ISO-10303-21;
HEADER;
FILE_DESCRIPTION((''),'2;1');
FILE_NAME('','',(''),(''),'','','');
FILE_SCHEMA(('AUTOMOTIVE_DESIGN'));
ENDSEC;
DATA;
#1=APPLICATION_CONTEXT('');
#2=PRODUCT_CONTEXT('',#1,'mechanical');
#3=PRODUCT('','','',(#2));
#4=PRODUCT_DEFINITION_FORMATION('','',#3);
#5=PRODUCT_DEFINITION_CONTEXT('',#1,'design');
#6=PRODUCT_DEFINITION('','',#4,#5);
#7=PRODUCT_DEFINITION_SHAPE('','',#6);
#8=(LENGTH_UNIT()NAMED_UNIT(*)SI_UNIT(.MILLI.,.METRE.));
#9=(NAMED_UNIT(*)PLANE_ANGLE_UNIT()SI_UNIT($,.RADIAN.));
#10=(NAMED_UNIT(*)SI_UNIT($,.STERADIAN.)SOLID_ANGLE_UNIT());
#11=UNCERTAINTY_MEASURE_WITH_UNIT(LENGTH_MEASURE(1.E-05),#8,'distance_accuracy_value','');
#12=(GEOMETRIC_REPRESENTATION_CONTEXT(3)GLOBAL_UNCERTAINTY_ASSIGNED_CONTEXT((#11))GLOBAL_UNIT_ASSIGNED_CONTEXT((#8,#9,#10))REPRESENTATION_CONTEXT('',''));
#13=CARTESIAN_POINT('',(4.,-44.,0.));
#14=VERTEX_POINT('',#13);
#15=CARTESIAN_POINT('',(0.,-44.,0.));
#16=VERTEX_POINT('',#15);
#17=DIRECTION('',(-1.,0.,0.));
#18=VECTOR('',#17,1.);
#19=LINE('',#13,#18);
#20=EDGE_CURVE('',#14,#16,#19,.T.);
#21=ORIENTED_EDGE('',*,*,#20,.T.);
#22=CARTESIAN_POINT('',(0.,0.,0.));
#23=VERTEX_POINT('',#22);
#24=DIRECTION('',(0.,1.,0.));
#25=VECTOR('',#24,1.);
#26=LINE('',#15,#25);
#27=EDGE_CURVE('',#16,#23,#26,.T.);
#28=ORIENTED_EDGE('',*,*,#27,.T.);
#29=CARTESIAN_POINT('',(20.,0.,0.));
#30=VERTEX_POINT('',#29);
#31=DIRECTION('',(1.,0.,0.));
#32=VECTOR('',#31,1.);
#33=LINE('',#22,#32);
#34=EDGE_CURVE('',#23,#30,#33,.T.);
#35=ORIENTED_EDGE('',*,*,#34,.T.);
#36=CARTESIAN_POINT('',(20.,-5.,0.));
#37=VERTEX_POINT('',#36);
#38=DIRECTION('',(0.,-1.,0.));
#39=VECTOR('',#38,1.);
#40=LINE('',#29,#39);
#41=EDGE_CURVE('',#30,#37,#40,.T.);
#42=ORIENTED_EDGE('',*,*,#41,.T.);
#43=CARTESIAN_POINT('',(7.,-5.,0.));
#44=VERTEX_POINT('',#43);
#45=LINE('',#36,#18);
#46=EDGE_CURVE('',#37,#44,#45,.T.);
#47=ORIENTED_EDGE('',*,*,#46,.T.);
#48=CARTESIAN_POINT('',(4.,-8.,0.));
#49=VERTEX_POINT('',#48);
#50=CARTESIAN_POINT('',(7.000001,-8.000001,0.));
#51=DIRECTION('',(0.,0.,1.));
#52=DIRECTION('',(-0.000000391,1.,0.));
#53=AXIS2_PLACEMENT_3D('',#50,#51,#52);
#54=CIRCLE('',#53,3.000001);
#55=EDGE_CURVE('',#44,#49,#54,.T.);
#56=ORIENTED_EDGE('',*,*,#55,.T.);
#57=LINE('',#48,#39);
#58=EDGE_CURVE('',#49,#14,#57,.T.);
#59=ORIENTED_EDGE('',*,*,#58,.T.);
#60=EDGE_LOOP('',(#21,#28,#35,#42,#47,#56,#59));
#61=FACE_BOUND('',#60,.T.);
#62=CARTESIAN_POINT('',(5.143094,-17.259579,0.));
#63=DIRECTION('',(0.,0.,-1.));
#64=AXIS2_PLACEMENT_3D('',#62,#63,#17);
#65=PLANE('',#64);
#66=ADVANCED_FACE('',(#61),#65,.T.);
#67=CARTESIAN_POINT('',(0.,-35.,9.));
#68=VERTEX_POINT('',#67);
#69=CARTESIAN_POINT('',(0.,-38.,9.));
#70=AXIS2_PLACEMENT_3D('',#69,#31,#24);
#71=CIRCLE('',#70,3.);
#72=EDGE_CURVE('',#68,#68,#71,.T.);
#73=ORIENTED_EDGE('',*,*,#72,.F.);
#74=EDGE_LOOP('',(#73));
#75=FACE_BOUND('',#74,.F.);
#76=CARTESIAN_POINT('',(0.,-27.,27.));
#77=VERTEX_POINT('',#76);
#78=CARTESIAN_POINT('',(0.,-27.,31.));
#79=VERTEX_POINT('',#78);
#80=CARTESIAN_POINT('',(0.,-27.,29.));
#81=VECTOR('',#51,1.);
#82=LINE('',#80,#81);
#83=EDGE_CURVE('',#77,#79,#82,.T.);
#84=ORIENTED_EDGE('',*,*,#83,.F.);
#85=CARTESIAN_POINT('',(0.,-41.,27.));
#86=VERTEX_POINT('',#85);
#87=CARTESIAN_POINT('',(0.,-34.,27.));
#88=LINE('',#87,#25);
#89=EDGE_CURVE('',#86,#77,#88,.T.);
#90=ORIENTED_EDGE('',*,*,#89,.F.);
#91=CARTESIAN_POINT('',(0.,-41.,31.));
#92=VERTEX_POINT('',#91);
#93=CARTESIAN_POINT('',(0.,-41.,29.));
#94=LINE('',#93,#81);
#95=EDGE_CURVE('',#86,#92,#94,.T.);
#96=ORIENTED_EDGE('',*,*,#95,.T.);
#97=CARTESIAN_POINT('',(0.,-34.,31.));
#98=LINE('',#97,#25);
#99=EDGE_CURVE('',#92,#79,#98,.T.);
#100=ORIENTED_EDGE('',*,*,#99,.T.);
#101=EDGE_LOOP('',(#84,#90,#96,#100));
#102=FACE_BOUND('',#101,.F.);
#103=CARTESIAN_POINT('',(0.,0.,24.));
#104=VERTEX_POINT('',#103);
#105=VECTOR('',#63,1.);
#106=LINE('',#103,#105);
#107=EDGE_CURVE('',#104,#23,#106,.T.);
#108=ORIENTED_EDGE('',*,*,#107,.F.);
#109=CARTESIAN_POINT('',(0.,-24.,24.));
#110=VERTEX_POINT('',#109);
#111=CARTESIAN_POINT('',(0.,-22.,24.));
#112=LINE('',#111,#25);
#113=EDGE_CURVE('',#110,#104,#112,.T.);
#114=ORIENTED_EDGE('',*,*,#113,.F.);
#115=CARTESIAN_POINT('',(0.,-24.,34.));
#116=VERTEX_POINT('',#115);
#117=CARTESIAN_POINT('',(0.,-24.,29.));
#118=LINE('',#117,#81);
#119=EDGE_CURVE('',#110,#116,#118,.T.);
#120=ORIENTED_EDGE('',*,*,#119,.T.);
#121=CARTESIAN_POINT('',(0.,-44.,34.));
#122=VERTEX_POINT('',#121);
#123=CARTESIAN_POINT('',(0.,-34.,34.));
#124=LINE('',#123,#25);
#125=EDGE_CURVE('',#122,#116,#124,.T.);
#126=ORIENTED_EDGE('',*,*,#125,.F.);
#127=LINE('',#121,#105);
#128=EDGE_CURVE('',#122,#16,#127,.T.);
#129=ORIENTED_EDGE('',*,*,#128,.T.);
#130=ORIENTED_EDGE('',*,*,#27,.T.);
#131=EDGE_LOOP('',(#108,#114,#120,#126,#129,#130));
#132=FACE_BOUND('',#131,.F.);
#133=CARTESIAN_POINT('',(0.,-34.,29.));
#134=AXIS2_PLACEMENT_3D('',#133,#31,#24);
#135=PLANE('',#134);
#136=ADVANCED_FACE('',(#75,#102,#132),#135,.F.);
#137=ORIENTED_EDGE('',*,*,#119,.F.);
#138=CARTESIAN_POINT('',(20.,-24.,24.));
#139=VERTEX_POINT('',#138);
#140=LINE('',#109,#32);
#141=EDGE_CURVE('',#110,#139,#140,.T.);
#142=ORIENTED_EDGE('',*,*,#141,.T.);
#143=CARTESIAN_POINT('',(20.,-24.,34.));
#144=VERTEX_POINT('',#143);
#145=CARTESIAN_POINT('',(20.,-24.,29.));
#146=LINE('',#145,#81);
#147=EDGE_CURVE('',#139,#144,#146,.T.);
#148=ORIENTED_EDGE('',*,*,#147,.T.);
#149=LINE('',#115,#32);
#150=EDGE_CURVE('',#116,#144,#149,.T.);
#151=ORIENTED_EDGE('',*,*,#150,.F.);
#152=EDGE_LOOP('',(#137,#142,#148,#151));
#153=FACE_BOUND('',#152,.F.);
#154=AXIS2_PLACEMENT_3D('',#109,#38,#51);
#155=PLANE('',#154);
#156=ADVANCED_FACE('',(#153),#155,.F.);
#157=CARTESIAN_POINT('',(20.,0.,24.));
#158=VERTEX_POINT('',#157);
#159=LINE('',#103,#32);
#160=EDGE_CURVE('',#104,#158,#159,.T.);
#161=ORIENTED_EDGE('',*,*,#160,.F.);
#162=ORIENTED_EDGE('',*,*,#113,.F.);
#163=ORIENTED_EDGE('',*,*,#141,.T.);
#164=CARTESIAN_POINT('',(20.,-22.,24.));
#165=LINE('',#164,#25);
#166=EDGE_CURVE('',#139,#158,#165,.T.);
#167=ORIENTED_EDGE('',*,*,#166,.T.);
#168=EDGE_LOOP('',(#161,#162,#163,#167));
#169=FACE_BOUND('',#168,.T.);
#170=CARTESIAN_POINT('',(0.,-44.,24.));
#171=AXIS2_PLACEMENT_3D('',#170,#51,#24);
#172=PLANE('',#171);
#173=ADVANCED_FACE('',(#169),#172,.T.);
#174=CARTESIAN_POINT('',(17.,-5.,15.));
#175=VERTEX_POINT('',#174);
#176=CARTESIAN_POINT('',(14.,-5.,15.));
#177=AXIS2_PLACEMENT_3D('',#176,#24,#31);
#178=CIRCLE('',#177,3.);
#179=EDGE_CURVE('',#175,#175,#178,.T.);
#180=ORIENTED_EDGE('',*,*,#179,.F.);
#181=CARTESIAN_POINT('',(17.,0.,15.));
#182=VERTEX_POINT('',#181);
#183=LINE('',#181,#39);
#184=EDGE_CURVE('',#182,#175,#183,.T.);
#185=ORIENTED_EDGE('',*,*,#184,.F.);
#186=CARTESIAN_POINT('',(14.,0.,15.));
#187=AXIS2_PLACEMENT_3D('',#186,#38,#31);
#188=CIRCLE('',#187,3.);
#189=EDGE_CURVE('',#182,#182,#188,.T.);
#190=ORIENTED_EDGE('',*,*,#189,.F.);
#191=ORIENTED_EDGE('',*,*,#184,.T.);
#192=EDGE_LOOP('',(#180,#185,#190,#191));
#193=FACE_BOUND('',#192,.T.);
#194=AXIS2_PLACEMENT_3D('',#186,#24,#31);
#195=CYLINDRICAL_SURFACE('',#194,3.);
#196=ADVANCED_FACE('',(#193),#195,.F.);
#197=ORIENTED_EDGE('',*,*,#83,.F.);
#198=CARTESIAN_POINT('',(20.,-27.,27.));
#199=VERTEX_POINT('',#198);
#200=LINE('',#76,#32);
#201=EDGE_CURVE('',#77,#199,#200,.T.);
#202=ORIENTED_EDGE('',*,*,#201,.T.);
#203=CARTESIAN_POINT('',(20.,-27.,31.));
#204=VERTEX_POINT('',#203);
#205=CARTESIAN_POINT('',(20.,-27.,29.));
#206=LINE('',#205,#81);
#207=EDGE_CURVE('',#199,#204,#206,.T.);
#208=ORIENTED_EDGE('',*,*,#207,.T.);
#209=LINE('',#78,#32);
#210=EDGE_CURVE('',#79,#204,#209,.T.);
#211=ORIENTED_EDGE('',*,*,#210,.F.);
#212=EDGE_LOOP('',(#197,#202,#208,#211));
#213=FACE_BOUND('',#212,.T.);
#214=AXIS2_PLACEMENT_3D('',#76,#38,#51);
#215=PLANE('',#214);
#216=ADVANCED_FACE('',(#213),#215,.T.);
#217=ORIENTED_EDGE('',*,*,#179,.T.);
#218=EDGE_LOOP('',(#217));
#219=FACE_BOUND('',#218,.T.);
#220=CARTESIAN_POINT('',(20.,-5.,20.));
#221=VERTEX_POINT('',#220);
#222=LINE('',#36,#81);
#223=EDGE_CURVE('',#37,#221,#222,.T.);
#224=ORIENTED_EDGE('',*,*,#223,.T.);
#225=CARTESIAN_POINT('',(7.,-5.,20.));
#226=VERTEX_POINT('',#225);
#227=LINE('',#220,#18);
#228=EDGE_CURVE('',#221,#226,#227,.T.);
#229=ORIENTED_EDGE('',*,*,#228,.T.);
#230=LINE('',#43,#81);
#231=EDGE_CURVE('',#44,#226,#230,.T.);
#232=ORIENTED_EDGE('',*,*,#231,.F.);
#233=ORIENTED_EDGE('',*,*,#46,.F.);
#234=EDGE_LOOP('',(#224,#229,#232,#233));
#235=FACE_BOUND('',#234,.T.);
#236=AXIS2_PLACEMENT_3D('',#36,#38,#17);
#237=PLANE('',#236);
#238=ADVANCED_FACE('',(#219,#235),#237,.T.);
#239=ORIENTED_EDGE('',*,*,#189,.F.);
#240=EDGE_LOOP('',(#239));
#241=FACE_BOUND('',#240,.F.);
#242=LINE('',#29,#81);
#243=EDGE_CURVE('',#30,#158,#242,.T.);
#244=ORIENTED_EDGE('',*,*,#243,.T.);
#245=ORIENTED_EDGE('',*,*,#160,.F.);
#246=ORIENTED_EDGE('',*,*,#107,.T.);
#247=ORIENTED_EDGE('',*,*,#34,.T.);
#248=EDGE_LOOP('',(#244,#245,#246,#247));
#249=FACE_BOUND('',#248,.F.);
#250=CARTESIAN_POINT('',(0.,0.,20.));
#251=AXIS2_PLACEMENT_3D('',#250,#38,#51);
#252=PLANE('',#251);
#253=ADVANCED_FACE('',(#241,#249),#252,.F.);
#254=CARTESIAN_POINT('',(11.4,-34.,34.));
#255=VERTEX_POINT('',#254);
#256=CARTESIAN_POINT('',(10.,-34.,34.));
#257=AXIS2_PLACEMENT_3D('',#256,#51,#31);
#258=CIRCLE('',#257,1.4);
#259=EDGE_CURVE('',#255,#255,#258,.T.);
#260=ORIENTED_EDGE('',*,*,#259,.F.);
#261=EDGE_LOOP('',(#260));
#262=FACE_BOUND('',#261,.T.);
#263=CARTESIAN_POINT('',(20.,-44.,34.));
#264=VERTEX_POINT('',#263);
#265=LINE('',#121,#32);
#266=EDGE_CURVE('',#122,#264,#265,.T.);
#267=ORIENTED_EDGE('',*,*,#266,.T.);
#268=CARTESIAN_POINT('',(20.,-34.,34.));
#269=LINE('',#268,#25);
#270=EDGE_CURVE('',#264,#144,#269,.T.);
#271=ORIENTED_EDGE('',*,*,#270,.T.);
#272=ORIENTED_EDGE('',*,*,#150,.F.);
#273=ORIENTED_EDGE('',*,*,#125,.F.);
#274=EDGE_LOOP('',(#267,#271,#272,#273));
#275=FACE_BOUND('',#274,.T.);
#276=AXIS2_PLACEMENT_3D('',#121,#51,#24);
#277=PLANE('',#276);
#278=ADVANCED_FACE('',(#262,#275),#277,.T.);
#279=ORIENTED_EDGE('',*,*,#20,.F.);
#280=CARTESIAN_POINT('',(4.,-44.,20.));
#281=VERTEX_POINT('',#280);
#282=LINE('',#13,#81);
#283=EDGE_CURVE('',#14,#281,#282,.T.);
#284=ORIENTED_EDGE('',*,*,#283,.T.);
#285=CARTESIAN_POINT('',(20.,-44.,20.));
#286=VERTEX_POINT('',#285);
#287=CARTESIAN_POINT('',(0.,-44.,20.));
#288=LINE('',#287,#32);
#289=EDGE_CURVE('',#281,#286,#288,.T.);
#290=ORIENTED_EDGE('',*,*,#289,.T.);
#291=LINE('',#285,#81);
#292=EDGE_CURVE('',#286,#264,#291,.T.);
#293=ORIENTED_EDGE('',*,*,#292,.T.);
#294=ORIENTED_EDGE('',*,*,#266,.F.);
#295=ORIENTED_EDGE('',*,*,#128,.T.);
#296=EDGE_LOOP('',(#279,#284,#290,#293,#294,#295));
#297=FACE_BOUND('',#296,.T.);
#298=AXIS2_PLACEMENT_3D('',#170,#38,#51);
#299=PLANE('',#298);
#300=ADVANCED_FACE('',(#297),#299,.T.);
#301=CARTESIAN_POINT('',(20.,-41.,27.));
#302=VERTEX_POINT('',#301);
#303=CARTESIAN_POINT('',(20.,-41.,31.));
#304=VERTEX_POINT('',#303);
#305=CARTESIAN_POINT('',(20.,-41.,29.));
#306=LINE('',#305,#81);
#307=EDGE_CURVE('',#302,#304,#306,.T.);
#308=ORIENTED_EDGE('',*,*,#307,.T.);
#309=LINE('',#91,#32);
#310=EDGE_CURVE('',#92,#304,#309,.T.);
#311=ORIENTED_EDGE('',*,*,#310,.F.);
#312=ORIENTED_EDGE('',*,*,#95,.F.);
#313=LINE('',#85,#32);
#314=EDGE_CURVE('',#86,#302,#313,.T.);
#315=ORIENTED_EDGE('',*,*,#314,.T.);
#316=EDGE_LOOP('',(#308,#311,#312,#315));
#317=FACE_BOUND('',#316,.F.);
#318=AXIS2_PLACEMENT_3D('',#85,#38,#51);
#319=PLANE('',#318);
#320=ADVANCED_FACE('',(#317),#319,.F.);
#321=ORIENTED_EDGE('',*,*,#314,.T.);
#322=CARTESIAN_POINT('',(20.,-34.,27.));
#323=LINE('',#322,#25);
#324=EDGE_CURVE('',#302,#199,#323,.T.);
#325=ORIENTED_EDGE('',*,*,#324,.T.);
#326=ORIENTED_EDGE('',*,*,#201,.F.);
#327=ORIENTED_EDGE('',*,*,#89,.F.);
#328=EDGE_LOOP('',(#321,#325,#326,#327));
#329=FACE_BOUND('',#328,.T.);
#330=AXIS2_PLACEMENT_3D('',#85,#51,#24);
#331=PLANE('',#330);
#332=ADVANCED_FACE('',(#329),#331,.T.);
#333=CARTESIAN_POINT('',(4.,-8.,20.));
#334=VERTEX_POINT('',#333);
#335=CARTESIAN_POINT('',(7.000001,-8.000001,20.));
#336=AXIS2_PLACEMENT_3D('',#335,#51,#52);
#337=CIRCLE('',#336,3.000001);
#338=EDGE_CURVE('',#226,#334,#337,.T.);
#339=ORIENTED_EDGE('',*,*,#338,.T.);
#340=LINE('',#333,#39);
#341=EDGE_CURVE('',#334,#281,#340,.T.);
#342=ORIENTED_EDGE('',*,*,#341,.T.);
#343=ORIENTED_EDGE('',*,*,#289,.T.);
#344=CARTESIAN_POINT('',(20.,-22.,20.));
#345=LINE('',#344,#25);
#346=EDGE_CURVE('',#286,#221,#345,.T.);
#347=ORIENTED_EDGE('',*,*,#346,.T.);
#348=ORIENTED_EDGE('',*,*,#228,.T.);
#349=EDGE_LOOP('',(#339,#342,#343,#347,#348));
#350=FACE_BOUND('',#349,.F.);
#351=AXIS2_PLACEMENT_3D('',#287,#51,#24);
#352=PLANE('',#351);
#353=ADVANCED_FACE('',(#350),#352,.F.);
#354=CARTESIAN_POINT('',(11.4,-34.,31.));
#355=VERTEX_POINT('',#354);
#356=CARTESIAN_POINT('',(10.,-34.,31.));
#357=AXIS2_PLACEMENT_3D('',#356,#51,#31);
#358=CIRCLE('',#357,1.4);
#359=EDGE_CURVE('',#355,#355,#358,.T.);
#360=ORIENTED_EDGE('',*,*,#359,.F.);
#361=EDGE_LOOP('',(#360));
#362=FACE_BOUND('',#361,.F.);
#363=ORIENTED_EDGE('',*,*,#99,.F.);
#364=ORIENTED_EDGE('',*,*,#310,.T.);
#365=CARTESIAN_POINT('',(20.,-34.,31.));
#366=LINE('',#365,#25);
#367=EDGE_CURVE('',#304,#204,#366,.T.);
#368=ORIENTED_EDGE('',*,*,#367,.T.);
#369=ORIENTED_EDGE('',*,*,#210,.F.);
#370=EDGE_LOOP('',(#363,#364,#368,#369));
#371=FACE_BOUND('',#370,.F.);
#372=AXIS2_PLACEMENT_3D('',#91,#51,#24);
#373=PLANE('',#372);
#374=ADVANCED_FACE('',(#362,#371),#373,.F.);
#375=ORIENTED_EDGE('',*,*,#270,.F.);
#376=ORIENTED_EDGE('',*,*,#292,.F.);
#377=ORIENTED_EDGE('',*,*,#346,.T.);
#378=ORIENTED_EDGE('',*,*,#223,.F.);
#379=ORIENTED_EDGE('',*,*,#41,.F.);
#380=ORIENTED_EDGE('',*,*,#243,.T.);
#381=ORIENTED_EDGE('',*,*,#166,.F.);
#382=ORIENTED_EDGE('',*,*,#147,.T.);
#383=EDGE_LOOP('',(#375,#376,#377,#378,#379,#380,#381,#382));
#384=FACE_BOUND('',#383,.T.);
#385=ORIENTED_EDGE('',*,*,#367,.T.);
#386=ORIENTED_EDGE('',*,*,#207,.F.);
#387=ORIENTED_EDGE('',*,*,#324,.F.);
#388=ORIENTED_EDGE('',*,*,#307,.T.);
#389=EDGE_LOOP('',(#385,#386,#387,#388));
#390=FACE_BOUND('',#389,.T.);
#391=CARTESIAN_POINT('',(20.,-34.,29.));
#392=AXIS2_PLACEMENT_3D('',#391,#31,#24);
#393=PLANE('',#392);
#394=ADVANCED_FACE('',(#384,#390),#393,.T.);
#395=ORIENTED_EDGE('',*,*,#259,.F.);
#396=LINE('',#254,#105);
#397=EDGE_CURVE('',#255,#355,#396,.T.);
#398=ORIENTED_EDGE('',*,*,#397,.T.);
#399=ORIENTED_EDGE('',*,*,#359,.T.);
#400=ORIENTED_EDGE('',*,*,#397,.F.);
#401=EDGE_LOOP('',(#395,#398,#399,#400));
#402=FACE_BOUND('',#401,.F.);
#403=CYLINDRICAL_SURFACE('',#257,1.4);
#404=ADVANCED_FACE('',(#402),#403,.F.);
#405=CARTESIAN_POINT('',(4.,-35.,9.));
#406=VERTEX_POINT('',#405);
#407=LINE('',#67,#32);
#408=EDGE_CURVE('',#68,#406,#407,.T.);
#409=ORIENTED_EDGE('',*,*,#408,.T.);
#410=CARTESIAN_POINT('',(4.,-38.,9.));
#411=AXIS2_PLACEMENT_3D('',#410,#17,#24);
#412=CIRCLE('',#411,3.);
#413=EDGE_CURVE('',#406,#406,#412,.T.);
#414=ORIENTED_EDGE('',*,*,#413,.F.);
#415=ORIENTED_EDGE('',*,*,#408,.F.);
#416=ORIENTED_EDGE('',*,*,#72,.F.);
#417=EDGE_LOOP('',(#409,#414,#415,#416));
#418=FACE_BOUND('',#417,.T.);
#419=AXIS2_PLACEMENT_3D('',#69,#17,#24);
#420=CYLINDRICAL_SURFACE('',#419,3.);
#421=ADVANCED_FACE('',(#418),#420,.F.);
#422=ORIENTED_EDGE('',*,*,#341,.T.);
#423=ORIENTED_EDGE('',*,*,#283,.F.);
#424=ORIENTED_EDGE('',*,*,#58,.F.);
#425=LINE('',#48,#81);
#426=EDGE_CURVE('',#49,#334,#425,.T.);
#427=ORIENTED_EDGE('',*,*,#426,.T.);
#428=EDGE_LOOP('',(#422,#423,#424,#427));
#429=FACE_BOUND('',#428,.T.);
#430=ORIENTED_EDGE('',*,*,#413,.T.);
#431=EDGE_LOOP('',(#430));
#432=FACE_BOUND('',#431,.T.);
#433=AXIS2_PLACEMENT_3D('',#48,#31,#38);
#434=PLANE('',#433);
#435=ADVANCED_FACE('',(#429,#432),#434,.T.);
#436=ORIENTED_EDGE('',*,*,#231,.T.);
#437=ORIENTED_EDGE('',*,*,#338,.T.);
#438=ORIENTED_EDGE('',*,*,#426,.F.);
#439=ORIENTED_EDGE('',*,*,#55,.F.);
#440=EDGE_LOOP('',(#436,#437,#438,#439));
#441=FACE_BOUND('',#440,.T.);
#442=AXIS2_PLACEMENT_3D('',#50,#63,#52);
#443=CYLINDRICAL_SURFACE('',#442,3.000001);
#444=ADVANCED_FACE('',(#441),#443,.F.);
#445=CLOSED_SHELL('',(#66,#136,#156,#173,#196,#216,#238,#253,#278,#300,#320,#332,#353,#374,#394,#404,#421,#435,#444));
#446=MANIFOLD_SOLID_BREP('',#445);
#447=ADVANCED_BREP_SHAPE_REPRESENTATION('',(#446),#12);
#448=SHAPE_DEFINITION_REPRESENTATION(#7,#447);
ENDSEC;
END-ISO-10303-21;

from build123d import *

# Parameters (mm, degrees)
PAD009_DEPTH    = 20
SKETCH023_R     = 3
POCKET008_DEPTH = 44.001
SKETCH024_R     = 3
POCKET009_DEPTH = 5
SKETCH026_W     = 44
SKETCH026_H     = 4
PAD011_DEPTH    = 20
SKETCH027_W     = 20
SKETCH027_H     = 10
SKETCH027_W_2   = 14
SKETCH027_H_2   = 4
PAD012_DEPTH    = 20
SKETCH028_R     = 1.4
POCKET010_DEPTH = 3


with BuildPart() as part:
    # Sketch021 → Pad009 (new body)
    with BuildSketch(Plane.XY):
        with BuildLine():
            Line((0, -44), (0, 0))
            Line((0, 0), (20, 0))
            Line((20, 0), (20, -5))
            Line((20, -5), (7, -5))
            ThreePointArc((7, -5), (4.87868, -5.87868), (4, -8))
            Line((4, -8), (4, -44))
            Line((4, -44), (0, -44))
        make_face()
    extrude(amount=PAD009_DEPTH)

    # Sketch023 → Pocket008 (cut, through all)
    with BuildSketch(Plane.XZ):
        with Locations((14, 15)):
            Circle(SKETCH023_R)
    extrude(amount=POCKET008_DEPTH, mode=Mode.SUBTRACT)

    # Sketch024 → Pocket009 (cut)
    with BuildSketch(Plane.YZ):
        with Locations((-38, 9)):
            Circle(SKETCH024_R)
    extrude(amount=POCKET009_DEPTH, mode=Mode.SUBTRACT)

    # Sketch026 → Pad011 (join)
    with BuildSketch(Plane.YZ):
        with Locations((-22, 22)):
            Rectangle(SKETCH026_W, SKETCH026_H)
    extrude(amount=PAD011_DEPTH)

    # Sketch027 → Pad012 (join)
    with BuildSketch(Plane.YZ):
        with Locations((-34, 29)):
            Rectangle(SKETCH027_W, SKETCH027_H)
        with Locations((-34, 29)):
            Rectangle(SKETCH027_W_2, SKETCH027_H_2, mode=Mode.SUBTRACT)
    extrude(amount=PAD012_DEPTH)

    # Sketch028 → Pocket010 (cut)
    with BuildSketch(Plane.XY.offset(34)):
        with Locations((10, -34)):
            Circle(SKETCH028_R)
    extrude(amount=-POCKET010_DEPTH, mode=Mode.SUBTRACT)


solid = part.part
